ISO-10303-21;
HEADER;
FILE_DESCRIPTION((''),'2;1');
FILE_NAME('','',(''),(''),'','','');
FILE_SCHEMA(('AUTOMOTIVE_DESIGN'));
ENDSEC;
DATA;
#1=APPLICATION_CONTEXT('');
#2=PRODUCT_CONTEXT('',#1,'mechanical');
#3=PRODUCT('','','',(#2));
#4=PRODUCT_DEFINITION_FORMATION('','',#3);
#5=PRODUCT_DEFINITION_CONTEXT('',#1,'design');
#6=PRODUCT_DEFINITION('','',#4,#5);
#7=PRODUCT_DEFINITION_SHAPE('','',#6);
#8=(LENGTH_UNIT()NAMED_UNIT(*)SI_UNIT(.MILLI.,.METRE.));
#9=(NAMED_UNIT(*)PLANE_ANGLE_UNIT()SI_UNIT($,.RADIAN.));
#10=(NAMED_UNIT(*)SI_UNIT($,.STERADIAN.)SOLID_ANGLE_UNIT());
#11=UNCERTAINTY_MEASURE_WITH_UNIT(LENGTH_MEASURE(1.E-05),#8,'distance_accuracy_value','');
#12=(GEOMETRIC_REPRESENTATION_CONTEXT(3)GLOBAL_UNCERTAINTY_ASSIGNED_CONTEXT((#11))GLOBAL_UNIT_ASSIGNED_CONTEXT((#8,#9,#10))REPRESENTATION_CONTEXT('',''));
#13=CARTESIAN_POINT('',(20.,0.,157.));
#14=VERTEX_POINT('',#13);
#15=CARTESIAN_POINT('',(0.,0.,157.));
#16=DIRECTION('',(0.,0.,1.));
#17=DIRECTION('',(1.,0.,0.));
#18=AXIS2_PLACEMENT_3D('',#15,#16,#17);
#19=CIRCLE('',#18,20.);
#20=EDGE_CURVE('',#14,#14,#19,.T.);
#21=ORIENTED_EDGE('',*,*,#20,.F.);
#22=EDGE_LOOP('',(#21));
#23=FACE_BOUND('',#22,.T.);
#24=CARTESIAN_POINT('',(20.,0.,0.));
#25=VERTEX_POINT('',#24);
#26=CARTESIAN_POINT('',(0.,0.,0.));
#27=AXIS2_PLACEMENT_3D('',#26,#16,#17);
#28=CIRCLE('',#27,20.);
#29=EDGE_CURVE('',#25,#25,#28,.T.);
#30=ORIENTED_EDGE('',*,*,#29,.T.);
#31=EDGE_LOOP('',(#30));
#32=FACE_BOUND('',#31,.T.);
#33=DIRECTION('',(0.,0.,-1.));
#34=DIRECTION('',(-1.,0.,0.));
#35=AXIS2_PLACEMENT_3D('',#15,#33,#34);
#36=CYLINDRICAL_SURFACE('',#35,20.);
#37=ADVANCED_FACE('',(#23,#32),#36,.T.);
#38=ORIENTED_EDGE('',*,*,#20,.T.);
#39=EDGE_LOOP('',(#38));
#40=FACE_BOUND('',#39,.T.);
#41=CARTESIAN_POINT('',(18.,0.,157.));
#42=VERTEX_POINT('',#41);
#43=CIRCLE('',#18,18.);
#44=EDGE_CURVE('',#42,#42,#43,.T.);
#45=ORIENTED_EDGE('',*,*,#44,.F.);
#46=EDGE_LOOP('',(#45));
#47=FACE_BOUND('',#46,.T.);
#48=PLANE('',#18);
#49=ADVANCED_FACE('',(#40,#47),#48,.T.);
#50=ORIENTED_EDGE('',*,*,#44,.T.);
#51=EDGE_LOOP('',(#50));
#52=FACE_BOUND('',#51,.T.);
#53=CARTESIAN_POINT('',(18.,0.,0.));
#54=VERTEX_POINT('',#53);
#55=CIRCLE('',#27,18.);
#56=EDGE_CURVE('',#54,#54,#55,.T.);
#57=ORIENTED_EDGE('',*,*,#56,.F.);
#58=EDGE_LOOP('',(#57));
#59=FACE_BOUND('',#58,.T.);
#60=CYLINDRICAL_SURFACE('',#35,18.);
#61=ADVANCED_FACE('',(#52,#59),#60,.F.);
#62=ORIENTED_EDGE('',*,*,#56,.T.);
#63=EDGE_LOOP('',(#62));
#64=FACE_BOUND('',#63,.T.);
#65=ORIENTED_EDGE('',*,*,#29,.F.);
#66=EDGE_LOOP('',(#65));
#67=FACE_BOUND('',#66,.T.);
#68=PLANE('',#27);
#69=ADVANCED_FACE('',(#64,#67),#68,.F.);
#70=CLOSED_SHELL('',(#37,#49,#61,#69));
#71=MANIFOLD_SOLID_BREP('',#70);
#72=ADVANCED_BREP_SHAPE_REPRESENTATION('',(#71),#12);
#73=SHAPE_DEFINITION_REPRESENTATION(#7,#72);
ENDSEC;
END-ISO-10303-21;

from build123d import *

# Parameters (mm, degrees)
SKETCH1_R           = 20
SKETCH1_R_2         = 18
BOSS_EXTRUDE1_DEPTH = 157


with BuildPart() as part:
    # Sketch1 → Boss-Extrude1 (new body)
    with BuildSketch(Plane.XY):
        Circle(SKETCH1_R)
        Circle(SKETCH1_R_2, mode=Mode.SUBTRACT)
    extrude(amount=BOSS_EXTRUDE1_DEPTH)


solid = part.part
